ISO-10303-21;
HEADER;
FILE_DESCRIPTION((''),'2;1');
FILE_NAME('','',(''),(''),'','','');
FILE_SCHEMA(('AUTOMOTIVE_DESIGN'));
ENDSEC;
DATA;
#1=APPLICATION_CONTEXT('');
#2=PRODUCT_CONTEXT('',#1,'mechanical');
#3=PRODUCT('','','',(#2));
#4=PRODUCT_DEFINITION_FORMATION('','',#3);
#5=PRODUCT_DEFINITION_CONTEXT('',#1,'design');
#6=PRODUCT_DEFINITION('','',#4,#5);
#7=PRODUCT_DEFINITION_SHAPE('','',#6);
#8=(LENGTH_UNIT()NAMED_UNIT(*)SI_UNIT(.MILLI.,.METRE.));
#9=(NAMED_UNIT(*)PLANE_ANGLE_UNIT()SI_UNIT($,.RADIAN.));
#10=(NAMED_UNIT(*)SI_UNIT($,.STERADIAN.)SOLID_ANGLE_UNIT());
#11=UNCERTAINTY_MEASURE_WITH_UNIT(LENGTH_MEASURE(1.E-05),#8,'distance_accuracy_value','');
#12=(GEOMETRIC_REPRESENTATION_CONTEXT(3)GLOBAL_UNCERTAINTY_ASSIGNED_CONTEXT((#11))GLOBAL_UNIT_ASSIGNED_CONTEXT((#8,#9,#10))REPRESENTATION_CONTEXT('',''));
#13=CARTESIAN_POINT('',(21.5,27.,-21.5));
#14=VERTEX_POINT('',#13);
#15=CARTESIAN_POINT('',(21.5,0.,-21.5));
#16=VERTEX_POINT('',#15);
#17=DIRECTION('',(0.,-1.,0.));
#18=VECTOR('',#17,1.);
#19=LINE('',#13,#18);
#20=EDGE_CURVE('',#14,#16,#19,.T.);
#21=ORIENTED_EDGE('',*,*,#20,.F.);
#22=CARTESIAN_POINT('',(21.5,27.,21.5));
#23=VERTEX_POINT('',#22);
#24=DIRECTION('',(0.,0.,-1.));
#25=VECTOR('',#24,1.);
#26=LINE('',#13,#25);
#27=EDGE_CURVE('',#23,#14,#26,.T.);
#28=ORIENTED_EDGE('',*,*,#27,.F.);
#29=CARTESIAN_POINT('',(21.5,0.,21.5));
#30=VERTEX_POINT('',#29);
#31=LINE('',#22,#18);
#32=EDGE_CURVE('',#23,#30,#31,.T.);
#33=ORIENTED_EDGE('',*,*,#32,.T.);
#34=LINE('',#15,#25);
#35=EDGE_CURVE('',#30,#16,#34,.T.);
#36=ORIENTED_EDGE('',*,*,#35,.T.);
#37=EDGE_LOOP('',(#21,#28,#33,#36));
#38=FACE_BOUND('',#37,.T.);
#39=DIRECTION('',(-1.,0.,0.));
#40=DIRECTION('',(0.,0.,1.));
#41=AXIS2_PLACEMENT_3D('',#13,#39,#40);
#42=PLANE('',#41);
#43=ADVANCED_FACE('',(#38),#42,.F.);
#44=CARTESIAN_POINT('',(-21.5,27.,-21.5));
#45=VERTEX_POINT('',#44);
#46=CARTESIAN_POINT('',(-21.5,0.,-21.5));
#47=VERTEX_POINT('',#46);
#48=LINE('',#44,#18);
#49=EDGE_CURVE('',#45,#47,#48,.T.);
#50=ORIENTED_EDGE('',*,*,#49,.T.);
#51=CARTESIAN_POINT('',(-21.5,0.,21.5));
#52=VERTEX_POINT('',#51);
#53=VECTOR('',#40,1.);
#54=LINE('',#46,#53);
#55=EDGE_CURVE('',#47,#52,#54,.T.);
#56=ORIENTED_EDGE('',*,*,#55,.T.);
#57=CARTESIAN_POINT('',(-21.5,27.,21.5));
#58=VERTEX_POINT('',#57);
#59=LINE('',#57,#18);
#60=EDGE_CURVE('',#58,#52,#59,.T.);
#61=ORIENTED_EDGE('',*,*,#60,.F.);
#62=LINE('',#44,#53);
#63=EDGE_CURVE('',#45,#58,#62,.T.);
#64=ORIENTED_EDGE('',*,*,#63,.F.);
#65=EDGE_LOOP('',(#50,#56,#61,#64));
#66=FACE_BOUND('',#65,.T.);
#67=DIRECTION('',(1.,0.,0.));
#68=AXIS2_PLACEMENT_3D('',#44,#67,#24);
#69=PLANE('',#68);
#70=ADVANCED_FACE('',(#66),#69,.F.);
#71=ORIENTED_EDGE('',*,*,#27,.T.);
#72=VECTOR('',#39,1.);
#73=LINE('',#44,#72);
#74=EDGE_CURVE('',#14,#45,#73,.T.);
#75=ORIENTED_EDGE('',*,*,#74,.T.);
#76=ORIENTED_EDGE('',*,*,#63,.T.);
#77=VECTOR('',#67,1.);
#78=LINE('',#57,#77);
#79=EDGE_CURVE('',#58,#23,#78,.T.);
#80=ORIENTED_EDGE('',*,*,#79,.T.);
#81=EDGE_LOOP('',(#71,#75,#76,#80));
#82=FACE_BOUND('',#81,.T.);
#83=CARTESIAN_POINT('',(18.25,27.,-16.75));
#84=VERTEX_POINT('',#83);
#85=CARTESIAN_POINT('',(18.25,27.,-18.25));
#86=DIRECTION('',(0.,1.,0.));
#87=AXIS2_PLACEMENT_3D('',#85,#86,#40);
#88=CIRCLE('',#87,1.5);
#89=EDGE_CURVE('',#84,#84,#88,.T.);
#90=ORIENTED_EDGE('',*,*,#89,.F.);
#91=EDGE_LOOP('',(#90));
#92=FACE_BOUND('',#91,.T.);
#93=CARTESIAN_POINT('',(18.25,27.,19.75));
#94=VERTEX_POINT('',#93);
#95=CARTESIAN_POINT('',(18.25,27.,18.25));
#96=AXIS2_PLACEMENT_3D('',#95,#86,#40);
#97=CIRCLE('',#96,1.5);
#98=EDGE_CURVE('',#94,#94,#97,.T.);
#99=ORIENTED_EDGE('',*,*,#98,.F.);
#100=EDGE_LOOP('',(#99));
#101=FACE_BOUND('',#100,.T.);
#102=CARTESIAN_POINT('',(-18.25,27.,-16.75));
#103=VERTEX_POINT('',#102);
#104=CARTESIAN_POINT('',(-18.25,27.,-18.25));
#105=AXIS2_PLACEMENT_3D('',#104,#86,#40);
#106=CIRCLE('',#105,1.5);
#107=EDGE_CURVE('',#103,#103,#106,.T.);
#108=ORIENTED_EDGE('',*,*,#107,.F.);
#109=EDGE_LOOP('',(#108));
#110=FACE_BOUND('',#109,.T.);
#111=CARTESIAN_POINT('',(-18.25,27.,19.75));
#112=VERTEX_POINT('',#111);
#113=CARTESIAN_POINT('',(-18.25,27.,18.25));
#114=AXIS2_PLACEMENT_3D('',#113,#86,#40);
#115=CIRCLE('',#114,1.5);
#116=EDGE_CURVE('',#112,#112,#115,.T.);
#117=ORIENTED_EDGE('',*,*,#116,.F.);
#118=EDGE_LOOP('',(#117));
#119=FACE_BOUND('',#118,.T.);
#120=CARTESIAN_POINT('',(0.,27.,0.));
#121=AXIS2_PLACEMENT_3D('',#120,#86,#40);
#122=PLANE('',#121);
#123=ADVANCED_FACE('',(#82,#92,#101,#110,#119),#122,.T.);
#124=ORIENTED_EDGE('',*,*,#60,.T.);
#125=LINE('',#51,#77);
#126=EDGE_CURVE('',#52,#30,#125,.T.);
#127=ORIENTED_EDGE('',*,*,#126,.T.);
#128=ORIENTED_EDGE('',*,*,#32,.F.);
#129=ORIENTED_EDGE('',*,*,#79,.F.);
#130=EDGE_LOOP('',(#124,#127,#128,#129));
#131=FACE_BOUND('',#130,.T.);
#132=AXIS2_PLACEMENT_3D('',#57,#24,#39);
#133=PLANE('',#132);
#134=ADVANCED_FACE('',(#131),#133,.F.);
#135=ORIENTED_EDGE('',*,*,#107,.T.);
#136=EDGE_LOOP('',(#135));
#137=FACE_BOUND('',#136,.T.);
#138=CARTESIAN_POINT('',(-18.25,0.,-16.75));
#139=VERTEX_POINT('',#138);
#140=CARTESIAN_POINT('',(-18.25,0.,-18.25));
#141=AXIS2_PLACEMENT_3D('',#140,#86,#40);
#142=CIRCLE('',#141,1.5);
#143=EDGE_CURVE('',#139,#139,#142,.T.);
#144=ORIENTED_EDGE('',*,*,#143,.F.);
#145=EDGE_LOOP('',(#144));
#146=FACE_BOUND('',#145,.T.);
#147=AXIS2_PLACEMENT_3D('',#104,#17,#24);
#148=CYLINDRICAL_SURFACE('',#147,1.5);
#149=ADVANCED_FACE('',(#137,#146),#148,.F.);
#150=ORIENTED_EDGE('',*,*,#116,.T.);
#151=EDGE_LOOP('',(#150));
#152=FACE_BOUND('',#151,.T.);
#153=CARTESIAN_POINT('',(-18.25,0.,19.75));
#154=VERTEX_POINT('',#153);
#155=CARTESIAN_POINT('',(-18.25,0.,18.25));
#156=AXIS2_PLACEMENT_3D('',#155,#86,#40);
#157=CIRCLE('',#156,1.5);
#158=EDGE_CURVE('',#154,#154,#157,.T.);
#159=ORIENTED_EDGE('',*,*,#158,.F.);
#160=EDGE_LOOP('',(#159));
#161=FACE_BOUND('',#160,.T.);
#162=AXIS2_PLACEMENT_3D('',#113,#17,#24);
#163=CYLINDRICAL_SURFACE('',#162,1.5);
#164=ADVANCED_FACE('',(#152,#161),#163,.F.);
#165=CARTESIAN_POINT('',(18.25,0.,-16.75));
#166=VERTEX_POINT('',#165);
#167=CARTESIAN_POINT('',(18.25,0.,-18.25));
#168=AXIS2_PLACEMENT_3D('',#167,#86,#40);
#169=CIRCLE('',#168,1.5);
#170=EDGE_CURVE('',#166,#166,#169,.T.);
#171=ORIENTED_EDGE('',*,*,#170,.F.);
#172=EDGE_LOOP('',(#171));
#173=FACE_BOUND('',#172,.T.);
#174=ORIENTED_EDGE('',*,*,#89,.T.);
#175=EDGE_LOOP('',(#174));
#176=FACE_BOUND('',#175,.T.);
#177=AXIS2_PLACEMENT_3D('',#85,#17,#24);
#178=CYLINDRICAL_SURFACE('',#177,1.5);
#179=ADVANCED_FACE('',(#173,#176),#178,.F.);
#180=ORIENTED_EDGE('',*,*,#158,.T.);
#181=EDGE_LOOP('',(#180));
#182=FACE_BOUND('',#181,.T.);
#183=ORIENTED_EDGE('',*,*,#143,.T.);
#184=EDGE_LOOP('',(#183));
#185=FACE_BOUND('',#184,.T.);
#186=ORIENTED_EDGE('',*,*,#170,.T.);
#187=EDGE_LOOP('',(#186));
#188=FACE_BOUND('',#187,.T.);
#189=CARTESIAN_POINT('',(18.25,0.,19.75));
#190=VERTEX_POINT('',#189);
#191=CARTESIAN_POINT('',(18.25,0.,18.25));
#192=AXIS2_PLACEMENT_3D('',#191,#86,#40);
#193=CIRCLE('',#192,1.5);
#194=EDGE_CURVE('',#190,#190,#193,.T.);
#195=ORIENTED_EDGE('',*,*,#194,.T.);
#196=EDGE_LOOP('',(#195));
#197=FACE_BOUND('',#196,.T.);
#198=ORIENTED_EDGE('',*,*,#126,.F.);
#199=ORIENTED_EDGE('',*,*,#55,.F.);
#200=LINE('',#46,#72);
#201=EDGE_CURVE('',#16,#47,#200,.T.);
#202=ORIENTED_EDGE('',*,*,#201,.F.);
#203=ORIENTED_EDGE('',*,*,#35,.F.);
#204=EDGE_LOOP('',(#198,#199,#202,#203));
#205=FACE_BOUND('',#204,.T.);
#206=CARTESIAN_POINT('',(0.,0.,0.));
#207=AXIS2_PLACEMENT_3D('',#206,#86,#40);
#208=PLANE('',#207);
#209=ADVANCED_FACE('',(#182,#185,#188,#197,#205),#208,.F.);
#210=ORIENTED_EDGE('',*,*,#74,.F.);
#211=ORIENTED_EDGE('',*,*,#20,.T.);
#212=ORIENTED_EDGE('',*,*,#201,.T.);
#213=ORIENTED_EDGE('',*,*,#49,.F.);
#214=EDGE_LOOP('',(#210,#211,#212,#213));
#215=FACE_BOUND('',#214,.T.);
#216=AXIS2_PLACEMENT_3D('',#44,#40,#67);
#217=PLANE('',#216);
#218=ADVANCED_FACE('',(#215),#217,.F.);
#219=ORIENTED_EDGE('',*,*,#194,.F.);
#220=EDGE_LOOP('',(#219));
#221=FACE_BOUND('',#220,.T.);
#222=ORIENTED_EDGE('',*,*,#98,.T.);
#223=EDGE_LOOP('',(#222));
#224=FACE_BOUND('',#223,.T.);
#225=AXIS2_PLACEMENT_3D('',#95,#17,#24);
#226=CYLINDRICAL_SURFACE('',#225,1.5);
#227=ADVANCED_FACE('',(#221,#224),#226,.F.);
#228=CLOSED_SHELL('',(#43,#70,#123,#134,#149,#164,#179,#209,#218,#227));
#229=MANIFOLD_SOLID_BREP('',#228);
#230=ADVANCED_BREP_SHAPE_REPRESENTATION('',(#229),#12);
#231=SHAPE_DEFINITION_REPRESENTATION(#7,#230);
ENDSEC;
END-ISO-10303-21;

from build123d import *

# Parameters (mm, degrees)
SKETCH_1_W      = 43
SKETCH_1_H      = 43
SKETCH_1_R      = 1.5
EXTRUDE_1_DEPTH = 27


with BuildPart() as part:
    # 草图1 → 凸台-拉伸1 (new body)
    with BuildSketch(Plane(origin=(0, 0, 0), x_dir=(1, 0, 0), z_dir=(0, 1, 0))):
        Rectangle(SKETCH_1_W, SKETCH_1_H)
        with Locations(Location((-18.25, 18.25, 0), (0, 0, 270))):
            Circle(SKETCH_1_R, mode=Mode.SUBTRACT)
        with Locations(Location((18.25, 18.25, 0), (0, 0, 270))):
            Circle(SKETCH_1_R, mode=Mode.SUBTRACT)
        with Locations(Location((-18.25, -18.25, 0), (0, 0, 270))):
            Circle(SKETCH_1_R, mode=Mode.SUBTRACT)
        with Locations(Location((18.25, -18.25, 0), (0, 0, 270))):
            Circle(SKETCH_1_R, mode=Mode.SUBTRACT)
    extrude(amount=EXTRUDE_1_DEPTH)


solid = part.part
